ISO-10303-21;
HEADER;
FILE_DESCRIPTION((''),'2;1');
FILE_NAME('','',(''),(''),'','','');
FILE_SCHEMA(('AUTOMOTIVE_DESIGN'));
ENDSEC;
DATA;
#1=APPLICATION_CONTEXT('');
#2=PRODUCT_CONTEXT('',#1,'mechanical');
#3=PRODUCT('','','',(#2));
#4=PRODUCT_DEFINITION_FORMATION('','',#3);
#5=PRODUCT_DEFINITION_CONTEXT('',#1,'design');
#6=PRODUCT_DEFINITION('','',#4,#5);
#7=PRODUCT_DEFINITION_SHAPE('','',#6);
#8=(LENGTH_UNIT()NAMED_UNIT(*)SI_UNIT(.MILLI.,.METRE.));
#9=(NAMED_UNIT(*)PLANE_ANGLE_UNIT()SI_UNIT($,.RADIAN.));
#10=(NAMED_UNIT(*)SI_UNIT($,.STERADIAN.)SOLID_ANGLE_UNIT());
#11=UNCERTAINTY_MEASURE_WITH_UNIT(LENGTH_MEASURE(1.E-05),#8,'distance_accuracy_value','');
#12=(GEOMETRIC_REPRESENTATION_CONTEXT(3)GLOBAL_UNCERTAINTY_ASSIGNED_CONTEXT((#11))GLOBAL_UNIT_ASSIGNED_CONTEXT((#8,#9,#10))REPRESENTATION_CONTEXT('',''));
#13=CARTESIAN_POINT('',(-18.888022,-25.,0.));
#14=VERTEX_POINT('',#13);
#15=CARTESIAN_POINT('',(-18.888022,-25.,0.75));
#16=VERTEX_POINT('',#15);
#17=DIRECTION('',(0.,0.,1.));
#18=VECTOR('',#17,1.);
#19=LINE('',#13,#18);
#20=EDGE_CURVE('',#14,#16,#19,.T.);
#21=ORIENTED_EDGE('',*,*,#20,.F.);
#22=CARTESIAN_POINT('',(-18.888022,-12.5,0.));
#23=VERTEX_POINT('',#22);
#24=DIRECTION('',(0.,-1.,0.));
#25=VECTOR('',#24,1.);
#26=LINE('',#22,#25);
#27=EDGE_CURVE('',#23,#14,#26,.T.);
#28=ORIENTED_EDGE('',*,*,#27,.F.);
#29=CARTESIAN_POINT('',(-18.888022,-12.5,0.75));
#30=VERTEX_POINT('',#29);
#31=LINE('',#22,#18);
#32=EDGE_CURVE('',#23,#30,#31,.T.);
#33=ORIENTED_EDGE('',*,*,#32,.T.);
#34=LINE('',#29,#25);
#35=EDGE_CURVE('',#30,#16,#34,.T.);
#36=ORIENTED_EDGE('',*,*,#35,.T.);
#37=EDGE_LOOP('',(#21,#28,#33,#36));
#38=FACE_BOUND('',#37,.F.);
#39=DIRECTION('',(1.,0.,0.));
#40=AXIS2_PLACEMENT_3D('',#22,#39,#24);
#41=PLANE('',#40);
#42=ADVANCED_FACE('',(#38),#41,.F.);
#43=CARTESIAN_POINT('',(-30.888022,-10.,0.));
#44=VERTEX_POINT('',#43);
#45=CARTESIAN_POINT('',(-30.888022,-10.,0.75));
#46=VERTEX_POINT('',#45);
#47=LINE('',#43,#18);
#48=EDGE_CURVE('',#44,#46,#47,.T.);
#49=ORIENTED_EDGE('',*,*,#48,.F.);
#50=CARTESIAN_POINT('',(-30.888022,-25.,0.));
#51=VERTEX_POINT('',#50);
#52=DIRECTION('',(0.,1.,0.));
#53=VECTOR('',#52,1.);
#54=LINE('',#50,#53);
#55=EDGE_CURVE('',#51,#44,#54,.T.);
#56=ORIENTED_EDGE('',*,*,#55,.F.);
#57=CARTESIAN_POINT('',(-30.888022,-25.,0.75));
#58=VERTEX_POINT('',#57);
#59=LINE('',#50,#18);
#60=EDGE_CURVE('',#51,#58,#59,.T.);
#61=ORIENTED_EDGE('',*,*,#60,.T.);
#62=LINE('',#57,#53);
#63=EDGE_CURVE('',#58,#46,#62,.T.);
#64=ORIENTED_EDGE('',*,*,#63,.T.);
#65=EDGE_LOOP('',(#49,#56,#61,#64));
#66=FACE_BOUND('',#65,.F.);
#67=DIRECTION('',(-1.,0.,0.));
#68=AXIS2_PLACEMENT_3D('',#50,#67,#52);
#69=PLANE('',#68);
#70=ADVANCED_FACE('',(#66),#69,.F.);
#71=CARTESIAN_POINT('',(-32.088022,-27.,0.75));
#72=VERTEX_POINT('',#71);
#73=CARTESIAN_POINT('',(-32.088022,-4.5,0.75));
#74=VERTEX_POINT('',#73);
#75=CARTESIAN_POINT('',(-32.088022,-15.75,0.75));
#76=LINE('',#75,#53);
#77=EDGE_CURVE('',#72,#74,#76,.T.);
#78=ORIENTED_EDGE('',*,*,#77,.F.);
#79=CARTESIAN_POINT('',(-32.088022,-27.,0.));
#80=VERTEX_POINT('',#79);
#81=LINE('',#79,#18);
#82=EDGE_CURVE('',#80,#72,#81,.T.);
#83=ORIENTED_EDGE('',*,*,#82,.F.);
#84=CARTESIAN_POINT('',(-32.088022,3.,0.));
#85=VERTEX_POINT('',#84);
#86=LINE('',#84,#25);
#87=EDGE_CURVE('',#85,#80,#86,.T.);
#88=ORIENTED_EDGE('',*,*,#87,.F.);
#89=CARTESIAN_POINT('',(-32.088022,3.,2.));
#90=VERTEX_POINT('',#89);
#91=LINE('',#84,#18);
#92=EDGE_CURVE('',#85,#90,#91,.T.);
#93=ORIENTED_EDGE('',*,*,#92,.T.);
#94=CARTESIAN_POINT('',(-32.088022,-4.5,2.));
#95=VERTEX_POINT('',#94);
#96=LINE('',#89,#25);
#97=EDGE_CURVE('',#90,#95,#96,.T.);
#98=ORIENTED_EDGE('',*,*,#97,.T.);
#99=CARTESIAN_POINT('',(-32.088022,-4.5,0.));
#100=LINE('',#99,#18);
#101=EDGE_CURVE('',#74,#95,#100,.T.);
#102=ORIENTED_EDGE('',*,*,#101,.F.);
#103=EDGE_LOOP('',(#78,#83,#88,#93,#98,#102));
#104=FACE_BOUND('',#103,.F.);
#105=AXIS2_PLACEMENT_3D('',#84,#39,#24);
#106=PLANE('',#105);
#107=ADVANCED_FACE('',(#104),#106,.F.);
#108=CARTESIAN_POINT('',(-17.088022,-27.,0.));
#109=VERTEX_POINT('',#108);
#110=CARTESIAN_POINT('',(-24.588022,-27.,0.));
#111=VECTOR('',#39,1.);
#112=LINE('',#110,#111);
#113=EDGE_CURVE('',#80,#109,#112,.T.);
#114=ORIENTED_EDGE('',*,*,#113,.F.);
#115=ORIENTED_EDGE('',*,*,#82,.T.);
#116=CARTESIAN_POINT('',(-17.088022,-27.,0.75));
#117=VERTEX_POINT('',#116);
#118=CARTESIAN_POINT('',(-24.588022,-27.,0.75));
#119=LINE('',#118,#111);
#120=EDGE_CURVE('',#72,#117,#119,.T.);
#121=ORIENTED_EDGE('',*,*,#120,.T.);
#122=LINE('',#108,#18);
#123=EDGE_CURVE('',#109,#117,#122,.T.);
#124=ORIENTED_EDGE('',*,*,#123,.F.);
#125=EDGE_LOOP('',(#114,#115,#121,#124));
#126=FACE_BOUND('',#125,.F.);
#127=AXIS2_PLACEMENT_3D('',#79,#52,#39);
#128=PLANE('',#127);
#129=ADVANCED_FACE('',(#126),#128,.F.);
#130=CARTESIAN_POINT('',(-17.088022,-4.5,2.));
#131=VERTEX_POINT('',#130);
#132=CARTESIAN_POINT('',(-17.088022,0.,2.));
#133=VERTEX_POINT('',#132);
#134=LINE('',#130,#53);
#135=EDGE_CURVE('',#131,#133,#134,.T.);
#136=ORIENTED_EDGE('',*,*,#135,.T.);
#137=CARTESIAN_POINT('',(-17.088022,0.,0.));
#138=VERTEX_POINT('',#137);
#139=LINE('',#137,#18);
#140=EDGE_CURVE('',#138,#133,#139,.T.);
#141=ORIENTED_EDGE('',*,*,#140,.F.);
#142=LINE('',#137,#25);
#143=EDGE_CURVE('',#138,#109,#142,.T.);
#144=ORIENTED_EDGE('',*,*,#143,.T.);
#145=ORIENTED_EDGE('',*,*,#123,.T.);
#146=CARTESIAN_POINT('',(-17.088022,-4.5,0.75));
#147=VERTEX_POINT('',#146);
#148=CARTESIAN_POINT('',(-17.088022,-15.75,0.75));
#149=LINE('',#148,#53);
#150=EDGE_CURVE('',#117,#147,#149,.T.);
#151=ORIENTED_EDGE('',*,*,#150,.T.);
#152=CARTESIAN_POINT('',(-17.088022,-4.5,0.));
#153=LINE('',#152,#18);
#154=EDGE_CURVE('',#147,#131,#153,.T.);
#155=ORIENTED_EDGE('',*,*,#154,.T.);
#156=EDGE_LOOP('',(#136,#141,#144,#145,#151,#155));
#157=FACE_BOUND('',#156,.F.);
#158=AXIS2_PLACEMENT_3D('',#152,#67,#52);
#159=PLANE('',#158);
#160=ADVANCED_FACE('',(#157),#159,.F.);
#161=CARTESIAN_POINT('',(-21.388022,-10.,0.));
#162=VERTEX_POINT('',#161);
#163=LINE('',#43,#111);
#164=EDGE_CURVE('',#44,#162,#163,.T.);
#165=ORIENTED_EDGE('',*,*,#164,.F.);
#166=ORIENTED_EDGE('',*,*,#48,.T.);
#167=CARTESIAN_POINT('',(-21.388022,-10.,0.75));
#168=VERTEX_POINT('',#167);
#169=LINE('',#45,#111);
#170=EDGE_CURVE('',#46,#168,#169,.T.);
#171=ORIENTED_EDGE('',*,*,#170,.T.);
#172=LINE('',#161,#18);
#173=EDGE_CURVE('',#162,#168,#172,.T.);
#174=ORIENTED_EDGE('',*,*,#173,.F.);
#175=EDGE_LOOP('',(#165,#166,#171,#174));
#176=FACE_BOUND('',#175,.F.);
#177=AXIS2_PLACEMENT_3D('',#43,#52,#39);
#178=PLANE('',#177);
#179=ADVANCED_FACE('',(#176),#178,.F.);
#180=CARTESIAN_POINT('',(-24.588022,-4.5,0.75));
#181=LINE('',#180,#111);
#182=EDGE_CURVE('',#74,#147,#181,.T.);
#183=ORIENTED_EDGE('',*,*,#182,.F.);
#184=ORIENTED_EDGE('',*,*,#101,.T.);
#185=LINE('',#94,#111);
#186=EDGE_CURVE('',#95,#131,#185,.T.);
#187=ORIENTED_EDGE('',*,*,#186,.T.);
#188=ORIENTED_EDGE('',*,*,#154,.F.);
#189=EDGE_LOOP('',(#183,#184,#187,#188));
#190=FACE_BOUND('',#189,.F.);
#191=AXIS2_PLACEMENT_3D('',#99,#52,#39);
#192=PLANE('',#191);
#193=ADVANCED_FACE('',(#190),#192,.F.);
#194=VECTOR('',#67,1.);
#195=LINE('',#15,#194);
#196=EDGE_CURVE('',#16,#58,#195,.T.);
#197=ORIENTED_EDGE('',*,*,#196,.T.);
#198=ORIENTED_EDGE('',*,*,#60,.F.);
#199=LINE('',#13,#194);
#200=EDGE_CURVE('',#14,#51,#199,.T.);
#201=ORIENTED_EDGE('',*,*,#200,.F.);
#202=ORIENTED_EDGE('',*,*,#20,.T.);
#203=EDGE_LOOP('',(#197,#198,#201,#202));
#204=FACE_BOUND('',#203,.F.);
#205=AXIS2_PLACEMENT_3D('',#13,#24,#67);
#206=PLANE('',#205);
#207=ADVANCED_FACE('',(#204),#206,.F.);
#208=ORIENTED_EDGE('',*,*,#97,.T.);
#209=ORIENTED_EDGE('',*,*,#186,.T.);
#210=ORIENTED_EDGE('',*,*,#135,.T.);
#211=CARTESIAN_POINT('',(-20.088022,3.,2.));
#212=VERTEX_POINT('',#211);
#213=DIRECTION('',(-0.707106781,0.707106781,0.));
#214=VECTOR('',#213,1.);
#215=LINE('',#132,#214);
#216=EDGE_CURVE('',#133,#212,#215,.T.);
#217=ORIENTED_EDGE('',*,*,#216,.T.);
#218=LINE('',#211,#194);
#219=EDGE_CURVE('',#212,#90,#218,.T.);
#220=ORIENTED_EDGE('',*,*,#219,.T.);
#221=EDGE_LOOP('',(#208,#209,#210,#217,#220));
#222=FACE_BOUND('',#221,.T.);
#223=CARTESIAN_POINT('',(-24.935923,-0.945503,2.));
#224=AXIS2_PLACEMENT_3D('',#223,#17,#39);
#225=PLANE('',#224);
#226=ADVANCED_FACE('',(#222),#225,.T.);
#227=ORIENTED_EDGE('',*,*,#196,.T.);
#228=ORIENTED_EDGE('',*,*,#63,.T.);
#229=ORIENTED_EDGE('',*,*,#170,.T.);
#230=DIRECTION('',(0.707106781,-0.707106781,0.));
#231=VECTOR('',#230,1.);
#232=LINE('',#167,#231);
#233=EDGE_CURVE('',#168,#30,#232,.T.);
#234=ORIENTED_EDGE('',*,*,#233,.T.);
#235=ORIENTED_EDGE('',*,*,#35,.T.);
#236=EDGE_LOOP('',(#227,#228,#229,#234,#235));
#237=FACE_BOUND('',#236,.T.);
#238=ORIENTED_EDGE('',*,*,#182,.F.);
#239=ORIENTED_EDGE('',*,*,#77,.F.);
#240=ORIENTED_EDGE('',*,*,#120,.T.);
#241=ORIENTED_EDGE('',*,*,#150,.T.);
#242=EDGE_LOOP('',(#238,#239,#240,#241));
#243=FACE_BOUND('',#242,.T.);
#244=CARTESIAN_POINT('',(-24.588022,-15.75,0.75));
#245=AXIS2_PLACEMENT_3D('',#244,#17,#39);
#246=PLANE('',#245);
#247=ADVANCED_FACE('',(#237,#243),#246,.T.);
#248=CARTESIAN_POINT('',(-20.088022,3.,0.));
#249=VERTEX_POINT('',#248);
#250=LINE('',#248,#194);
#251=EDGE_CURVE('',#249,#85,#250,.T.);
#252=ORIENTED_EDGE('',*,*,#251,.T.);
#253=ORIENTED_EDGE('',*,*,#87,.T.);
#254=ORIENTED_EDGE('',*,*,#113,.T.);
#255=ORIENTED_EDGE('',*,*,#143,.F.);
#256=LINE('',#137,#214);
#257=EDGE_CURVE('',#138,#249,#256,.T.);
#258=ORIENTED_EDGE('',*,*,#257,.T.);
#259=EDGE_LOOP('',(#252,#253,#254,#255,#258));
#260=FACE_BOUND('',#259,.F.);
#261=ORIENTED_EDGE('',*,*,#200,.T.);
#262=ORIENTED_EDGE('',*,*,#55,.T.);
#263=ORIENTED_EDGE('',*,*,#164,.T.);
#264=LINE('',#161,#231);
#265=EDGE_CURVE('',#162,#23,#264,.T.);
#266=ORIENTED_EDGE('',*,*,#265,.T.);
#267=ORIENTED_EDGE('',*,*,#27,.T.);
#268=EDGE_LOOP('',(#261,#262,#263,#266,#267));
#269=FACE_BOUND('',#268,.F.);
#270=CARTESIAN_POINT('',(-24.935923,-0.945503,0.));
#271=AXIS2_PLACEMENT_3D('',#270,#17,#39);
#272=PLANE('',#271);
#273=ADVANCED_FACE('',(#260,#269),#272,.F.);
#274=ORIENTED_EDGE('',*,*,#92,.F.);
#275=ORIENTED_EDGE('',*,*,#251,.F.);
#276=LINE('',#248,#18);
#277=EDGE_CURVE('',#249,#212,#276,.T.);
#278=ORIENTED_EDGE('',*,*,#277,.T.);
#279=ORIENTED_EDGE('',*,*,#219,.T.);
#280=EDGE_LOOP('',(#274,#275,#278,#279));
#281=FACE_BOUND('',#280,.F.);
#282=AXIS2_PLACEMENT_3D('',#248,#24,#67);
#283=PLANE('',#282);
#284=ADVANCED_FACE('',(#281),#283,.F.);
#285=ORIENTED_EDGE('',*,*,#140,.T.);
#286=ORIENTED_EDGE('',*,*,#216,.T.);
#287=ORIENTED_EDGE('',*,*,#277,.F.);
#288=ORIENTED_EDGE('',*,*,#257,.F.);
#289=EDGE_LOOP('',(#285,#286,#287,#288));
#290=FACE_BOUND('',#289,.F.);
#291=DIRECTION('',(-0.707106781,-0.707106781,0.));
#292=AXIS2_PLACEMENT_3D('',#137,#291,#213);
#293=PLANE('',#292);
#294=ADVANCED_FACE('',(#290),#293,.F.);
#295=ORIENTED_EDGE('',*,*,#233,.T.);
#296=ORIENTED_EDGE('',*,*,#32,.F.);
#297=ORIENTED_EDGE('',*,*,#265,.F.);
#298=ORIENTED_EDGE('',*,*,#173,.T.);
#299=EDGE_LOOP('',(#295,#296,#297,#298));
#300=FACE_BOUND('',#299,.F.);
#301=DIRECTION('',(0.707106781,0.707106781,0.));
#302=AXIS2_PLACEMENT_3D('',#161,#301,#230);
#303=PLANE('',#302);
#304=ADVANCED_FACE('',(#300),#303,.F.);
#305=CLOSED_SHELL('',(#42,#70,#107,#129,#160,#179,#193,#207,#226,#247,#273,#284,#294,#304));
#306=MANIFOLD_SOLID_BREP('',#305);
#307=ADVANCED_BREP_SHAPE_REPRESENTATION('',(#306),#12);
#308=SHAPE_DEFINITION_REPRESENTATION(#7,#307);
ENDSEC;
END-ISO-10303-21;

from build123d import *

# Parameters (mm, degrees)
F0_W     = 15
F0_H     = 22.5
F1_DEPTH = 0.75
F2_DEPTH = 2


with BuildPart() as f1:
    # F0 (on Top) → F1 (new body)
    with BuildSketch(Plane.XY):
        with Locations((-24.588022, -15.75)):
            Rectangle(F0_W, F0_H)
        Polygon((-18.888022, -25), (-30.888022, -25), (-30.888022, -10), (-21.388022, -10), (-18.888022, -12.5), align=None, mode=Mode.SUBTRACT)
    extrude(amount=F1_DEPTH)

    # F0 (on Top) → F2 (join)
    with BuildSketch(Plane.XY):
        Polygon((-32.088022, 3), (-32.088022, -4.5), (-17.088022, -4.5), (-17.088022, 0), (-20.088022, 3), align=None)
    extrude(amount=F2_DEPTH)


solid = f1.part
